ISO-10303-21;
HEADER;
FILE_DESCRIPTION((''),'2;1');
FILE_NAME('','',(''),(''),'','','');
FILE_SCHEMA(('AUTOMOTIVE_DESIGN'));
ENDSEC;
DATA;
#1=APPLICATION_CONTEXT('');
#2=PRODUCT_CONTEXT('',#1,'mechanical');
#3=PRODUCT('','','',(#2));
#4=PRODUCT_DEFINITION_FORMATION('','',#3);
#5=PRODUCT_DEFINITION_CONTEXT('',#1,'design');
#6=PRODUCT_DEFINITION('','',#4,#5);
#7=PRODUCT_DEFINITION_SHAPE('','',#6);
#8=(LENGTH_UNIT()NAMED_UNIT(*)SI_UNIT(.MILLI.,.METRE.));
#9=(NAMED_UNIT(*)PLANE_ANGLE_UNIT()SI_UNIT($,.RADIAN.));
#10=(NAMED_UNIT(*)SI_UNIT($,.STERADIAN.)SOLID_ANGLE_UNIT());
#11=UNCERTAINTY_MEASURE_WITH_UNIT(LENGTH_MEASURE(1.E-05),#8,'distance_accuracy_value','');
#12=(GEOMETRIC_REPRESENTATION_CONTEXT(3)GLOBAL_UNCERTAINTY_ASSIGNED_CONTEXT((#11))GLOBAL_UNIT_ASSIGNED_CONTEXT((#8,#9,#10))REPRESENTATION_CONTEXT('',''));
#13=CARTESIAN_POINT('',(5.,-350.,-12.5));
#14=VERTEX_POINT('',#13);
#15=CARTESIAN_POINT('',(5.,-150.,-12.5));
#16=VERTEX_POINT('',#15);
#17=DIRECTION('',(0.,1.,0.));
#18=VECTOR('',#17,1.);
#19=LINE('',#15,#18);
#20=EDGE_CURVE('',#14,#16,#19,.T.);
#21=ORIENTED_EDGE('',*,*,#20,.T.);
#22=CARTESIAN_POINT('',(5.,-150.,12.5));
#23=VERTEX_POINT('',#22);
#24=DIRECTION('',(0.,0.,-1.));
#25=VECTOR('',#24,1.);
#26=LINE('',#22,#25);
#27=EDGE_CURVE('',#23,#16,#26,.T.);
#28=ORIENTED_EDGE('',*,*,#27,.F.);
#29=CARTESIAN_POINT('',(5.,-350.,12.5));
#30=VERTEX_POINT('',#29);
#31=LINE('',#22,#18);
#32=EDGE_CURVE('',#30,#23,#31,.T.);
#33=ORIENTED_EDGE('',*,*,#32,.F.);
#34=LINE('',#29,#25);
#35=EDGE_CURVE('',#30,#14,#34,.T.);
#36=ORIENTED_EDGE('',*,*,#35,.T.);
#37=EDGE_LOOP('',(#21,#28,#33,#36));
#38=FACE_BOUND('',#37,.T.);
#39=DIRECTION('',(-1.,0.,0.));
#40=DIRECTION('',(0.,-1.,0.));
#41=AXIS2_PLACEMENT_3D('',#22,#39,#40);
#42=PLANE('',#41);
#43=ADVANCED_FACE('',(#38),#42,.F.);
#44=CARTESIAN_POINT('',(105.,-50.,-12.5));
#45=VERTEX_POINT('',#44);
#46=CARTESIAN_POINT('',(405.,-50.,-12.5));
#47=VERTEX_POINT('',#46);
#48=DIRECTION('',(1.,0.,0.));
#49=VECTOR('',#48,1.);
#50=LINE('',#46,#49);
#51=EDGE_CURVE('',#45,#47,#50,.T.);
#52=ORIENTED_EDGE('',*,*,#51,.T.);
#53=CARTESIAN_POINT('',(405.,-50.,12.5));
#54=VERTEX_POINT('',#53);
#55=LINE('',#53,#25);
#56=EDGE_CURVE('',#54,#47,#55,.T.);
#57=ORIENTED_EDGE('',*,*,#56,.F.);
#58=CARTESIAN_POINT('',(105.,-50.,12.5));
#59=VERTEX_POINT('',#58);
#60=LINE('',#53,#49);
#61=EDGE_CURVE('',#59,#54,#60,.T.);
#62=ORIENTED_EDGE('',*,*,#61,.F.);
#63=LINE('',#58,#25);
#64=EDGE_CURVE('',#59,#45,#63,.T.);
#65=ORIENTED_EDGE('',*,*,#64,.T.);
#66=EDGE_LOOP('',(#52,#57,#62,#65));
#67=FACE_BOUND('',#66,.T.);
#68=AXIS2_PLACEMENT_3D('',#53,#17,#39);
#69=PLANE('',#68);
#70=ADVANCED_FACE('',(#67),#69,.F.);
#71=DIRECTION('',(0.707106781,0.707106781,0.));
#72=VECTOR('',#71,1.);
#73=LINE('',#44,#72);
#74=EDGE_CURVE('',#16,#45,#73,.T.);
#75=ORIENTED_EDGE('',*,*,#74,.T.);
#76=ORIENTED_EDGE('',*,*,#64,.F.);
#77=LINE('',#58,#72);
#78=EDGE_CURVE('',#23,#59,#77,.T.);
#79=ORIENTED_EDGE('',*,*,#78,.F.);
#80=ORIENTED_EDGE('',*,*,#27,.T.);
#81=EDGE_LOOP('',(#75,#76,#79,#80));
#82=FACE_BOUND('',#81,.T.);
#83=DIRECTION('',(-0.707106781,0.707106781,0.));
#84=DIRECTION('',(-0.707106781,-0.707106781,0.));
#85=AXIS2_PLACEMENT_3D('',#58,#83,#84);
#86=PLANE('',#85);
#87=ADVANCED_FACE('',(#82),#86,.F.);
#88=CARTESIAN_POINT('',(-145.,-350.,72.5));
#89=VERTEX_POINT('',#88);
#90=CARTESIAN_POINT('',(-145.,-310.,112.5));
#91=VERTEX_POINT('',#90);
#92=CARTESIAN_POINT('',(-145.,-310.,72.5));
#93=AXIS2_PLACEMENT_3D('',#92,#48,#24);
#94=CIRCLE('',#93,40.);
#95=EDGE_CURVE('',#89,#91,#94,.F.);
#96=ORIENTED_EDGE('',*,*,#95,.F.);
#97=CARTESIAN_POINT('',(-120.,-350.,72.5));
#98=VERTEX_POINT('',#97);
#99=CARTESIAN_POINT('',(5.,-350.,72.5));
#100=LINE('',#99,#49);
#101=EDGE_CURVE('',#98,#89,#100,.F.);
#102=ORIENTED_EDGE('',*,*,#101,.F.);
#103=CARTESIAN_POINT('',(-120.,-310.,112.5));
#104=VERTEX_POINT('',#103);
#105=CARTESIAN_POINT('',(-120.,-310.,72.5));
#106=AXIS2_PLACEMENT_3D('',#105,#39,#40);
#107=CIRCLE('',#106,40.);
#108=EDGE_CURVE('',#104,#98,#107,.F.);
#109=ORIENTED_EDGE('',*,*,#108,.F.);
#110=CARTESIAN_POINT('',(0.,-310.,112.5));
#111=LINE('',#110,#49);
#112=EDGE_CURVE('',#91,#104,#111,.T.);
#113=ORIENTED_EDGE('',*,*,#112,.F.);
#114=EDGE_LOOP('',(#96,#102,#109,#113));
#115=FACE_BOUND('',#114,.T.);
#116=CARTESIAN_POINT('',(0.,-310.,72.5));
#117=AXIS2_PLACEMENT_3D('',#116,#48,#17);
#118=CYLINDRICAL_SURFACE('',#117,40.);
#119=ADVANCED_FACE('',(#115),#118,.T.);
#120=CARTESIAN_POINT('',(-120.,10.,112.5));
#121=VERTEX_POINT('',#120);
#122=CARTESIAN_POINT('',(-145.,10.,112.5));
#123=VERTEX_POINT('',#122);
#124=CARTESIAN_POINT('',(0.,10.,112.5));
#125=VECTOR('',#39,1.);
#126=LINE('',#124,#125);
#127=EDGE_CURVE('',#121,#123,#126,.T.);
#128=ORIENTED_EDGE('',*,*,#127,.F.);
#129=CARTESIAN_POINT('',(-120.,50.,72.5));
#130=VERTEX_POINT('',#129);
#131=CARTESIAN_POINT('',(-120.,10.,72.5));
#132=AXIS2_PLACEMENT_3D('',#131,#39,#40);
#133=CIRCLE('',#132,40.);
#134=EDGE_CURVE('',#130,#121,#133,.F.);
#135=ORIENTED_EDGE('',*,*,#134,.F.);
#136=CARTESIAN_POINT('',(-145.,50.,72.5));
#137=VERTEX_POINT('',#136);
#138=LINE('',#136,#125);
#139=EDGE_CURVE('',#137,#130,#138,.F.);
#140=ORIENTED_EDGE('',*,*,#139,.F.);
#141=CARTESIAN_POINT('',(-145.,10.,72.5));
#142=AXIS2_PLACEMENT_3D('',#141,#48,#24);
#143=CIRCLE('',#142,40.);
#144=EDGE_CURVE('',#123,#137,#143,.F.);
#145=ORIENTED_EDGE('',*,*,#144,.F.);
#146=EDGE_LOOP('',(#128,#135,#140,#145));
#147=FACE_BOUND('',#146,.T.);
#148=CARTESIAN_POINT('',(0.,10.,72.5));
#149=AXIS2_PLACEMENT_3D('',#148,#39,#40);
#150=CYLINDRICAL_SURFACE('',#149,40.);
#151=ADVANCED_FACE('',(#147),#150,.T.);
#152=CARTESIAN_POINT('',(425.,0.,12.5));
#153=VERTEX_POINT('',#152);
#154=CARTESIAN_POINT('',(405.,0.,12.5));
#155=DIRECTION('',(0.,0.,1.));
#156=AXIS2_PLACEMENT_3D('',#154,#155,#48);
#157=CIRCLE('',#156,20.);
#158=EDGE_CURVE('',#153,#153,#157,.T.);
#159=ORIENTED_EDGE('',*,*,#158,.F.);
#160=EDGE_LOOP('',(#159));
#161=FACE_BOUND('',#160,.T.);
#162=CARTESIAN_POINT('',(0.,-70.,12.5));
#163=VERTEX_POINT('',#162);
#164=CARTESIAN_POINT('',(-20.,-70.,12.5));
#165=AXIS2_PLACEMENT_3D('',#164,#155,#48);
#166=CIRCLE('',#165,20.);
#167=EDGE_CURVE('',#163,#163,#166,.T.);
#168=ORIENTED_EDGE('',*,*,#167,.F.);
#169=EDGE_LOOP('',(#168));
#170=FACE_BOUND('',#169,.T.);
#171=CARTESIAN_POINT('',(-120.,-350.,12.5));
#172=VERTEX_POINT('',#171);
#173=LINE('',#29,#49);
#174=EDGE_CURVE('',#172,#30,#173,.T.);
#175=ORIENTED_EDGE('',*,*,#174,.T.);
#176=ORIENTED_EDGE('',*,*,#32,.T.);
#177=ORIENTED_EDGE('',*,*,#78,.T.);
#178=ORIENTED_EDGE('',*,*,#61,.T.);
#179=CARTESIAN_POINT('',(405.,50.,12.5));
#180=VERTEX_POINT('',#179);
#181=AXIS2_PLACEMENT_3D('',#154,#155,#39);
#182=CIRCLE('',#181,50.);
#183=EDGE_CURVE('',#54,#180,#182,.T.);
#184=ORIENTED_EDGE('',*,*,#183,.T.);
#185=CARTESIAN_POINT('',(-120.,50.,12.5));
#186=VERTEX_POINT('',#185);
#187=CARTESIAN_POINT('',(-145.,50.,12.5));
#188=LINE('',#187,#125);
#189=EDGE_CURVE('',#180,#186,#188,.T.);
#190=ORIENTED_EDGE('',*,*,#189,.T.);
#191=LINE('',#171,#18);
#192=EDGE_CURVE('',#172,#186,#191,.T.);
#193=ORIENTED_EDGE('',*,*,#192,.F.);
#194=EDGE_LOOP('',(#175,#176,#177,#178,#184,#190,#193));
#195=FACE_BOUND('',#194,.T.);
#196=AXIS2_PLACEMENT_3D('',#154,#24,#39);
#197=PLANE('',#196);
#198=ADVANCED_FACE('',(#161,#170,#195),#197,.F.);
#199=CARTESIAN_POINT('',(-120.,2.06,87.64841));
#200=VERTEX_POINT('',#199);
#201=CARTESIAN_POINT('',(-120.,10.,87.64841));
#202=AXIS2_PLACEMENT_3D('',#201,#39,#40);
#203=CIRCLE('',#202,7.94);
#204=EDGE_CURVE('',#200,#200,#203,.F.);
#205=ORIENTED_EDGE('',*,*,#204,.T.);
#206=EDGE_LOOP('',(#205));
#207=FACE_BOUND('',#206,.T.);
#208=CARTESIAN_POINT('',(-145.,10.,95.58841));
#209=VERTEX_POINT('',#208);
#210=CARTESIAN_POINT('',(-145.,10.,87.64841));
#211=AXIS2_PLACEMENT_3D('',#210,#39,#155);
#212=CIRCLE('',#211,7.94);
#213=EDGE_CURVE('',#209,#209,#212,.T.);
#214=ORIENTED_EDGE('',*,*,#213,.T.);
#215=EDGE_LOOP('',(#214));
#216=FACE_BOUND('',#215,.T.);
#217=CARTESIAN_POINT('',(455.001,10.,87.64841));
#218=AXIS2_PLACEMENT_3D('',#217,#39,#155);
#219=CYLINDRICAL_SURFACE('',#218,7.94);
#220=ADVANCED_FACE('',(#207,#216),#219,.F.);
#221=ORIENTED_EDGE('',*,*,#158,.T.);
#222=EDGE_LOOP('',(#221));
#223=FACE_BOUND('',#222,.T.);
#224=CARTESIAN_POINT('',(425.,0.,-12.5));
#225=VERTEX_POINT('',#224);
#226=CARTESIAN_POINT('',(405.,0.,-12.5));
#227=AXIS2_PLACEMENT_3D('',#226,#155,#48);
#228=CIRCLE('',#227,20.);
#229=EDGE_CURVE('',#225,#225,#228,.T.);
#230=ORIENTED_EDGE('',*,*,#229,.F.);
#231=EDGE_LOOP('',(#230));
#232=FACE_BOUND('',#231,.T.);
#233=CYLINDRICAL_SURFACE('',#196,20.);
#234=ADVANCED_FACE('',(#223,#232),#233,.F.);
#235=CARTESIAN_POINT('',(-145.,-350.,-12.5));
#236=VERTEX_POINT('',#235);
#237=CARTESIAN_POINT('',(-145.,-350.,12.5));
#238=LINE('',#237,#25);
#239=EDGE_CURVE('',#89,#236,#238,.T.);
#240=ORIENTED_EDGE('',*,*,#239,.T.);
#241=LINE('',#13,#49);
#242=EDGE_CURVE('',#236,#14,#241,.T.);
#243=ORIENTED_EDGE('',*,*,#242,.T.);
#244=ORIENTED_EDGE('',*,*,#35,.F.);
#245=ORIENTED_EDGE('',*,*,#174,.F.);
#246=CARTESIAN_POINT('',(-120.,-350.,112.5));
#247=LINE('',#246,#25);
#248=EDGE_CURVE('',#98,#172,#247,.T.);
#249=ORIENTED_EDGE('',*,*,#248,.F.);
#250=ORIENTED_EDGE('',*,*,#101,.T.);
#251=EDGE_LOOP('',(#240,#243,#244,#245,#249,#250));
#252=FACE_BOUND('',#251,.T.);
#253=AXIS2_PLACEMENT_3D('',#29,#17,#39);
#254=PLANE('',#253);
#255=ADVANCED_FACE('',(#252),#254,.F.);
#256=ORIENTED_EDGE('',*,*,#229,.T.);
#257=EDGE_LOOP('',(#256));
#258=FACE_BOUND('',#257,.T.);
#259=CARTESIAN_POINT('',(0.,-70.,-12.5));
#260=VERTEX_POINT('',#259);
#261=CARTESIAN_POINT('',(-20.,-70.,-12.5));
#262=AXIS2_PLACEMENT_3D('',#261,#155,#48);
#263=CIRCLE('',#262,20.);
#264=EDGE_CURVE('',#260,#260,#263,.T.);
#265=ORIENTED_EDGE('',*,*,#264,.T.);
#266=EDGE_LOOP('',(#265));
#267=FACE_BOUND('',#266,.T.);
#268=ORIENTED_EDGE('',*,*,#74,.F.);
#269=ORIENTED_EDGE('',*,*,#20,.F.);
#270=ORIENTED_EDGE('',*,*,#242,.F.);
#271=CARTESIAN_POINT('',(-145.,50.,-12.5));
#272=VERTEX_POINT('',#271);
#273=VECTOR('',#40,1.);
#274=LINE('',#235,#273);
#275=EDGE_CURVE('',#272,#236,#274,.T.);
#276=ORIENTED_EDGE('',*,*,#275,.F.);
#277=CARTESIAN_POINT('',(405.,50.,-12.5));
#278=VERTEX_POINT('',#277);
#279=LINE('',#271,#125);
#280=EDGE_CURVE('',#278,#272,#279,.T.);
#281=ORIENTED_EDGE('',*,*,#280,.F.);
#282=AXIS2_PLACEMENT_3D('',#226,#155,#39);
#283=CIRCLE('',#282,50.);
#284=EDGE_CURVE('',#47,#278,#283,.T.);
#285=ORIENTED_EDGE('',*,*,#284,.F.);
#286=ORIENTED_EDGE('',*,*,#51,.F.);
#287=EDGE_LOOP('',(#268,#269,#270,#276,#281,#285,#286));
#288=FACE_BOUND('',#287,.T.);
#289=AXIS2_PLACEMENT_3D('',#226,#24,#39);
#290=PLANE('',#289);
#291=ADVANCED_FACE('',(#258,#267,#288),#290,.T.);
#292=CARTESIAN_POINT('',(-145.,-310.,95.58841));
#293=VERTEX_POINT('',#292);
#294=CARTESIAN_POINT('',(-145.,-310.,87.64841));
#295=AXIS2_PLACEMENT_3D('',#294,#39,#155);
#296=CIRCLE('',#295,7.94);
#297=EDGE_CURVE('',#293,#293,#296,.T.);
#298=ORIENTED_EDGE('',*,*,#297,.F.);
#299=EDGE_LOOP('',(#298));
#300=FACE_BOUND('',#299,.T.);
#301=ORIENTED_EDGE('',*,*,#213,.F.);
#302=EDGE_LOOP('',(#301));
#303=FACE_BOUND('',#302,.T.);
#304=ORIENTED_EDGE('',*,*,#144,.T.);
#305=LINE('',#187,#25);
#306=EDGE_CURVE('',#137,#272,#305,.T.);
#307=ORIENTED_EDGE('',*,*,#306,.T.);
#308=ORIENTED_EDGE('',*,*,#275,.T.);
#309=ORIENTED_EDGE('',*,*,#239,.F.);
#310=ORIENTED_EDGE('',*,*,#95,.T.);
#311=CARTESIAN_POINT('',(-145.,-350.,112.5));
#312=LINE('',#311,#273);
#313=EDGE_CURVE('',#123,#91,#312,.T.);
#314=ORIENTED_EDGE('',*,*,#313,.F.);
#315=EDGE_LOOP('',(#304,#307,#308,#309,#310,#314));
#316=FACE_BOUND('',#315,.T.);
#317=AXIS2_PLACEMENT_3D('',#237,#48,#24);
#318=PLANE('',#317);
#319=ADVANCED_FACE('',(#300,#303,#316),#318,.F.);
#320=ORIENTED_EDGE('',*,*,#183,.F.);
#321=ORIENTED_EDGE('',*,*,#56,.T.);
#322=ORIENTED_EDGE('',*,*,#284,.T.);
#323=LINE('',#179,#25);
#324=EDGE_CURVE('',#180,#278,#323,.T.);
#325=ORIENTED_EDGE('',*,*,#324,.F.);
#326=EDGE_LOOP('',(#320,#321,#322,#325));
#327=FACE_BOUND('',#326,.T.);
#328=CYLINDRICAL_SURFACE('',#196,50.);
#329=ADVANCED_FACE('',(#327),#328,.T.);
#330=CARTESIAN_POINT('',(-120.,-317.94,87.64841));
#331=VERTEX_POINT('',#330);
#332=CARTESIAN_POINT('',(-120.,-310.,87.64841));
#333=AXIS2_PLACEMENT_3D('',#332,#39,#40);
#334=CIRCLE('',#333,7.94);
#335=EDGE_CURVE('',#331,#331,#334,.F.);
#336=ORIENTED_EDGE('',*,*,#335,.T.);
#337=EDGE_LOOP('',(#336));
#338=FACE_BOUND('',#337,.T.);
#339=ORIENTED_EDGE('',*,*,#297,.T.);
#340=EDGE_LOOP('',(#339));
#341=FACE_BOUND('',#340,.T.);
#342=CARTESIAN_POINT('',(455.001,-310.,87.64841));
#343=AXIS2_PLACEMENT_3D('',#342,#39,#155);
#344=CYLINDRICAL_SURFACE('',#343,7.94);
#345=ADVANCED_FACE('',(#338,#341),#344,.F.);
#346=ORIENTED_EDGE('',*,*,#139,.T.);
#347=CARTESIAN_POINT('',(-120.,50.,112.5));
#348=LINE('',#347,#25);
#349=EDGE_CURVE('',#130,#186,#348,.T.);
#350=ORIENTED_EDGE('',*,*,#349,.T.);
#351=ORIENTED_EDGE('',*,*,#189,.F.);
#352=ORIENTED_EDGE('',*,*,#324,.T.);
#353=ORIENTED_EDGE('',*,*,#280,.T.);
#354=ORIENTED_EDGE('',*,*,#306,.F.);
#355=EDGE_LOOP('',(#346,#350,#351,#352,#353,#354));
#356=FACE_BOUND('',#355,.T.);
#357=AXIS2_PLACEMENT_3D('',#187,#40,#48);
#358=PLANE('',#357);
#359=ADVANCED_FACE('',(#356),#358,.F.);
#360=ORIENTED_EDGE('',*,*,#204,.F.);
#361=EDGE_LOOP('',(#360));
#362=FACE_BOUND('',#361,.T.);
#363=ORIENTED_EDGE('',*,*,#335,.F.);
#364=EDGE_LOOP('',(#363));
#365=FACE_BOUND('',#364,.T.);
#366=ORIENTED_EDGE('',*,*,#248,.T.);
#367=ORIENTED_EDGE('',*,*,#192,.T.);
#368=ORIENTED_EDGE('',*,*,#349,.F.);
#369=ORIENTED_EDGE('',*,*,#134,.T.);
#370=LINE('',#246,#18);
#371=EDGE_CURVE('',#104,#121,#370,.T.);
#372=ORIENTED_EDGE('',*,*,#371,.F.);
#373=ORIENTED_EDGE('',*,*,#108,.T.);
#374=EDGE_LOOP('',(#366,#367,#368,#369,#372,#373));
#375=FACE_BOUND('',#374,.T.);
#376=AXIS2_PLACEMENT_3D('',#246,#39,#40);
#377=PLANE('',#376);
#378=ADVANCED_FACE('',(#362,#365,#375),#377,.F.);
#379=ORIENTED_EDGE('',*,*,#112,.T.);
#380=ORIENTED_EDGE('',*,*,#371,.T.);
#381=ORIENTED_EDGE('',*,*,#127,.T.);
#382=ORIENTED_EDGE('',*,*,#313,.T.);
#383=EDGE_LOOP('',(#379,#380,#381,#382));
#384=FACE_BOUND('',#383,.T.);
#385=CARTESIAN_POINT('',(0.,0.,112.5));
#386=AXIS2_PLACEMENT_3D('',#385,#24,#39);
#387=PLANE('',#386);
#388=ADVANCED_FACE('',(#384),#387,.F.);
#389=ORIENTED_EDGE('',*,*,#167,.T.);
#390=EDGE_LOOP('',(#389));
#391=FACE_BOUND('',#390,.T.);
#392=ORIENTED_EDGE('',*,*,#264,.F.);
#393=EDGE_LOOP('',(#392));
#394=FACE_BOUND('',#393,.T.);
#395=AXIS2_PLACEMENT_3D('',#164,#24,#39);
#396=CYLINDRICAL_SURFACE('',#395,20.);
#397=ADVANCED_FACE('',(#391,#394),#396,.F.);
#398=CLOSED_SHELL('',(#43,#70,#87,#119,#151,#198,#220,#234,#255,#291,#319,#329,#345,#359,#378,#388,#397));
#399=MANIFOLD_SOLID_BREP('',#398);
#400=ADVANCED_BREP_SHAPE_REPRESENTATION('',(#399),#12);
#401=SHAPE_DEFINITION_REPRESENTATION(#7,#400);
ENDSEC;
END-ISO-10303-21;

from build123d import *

# Parameters (mm, degrees)
SKETCH1_R           = 20
BOSS_EXTRUDE1_DEPTH = 12.5
SKETCH2_W           = 25
SKETCH2_H           = 400
BOSS_EXTRUDE2_DEPTH = 100
CUT_EXTRUDE1_REACH  = 705.673
SKETCH3_R           = 7.94
FILLET1_R           = 40


with BuildPart() as part:
    # Sketch1 → Boss-Extrude1 (new, symmetric)
    with BuildSketch(Plane.XY):
        with BuildLine():
            Line((405, -50), (105, -50))
            Line((105, -50), (5, -150))
            Line((5, -150), (5, -350))
            Line((5, -350), (-145, -350))
            Line((-145, -350), (-145, 50))
            Line((-145, 50), (405, 50))
            ThreePointArc((405, 50), (455, 0), (405, -50))
        make_face()
        with Locations((405, 0)):
            Circle(SKETCH1_R, mode=Mode.SUBTRACT)
        with Locations((-20, -70)):
            Circle(SKETCH1_R, mode=Mode.SUBTRACT)
    extrude(amount=BOSS_EXTRUDE1_DEPTH, both=True)

    # Sketch2 → Boss-Extrude2 (add)
    with BuildSketch(Plane.XY.offset(12.5)):
        with Locations((-132.5, -150)):
            Rectangle(SKETCH2_W, SKETCH2_H)
    extrude(amount=BOSS_EXTRUDE2_DEPTH)

    # Sketch3 → Cut-Extrude1 (cut, up to next)
    with BuildSketch(Plane.ZY.offset(145), mode=Mode.PRIVATE) as cut_extrude1_sk1:
        with Locations((87.648409676, 10)):
            Circle(SKETCH3_R)
    cut_extrude1_tool1 = extrude(cut_extrude1_sk1.sketch, amount=-CUT_EXTRUDE1_REACH, mode=Mode.PRIVATE) & part.part
    # Sketch3 → Cut-Extrude1 (cut, up to next)
    with BuildSketch(Plane.ZY.offset(145), mode=Mode.PRIVATE) as cut_extrude1_sk2:
        with Locations((87.648409676, -310)):
            Circle(SKETCH3_R)
    cut_extrude1_tool2 = extrude(cut_extrude1_sk2.sketch, amount=-CUT_EXTRUDE1_REACH, mode=Mode.PRIVATE) & part.part
    add(cut_extrude1_tool1.solids().sort_by_distance((-145, 10, 87.64841))[0], mode=Mode.SUBTRACT)
    add(cut_extrude1_tool2.solids().sort_by_distance((-145, -310, 87.64841))[0], mode=Mode.SUBTRACT)

    # Fillet1
    fillet1_edges = [part.edges().sort_by_distance(p)[0] for p in [
        (-132.5, -350, 112.5),
        (-132.5, 50, 112.5),
    ]]
    fillet(fillet1_edges, radius=FILLET1_R)


solid = part.part
